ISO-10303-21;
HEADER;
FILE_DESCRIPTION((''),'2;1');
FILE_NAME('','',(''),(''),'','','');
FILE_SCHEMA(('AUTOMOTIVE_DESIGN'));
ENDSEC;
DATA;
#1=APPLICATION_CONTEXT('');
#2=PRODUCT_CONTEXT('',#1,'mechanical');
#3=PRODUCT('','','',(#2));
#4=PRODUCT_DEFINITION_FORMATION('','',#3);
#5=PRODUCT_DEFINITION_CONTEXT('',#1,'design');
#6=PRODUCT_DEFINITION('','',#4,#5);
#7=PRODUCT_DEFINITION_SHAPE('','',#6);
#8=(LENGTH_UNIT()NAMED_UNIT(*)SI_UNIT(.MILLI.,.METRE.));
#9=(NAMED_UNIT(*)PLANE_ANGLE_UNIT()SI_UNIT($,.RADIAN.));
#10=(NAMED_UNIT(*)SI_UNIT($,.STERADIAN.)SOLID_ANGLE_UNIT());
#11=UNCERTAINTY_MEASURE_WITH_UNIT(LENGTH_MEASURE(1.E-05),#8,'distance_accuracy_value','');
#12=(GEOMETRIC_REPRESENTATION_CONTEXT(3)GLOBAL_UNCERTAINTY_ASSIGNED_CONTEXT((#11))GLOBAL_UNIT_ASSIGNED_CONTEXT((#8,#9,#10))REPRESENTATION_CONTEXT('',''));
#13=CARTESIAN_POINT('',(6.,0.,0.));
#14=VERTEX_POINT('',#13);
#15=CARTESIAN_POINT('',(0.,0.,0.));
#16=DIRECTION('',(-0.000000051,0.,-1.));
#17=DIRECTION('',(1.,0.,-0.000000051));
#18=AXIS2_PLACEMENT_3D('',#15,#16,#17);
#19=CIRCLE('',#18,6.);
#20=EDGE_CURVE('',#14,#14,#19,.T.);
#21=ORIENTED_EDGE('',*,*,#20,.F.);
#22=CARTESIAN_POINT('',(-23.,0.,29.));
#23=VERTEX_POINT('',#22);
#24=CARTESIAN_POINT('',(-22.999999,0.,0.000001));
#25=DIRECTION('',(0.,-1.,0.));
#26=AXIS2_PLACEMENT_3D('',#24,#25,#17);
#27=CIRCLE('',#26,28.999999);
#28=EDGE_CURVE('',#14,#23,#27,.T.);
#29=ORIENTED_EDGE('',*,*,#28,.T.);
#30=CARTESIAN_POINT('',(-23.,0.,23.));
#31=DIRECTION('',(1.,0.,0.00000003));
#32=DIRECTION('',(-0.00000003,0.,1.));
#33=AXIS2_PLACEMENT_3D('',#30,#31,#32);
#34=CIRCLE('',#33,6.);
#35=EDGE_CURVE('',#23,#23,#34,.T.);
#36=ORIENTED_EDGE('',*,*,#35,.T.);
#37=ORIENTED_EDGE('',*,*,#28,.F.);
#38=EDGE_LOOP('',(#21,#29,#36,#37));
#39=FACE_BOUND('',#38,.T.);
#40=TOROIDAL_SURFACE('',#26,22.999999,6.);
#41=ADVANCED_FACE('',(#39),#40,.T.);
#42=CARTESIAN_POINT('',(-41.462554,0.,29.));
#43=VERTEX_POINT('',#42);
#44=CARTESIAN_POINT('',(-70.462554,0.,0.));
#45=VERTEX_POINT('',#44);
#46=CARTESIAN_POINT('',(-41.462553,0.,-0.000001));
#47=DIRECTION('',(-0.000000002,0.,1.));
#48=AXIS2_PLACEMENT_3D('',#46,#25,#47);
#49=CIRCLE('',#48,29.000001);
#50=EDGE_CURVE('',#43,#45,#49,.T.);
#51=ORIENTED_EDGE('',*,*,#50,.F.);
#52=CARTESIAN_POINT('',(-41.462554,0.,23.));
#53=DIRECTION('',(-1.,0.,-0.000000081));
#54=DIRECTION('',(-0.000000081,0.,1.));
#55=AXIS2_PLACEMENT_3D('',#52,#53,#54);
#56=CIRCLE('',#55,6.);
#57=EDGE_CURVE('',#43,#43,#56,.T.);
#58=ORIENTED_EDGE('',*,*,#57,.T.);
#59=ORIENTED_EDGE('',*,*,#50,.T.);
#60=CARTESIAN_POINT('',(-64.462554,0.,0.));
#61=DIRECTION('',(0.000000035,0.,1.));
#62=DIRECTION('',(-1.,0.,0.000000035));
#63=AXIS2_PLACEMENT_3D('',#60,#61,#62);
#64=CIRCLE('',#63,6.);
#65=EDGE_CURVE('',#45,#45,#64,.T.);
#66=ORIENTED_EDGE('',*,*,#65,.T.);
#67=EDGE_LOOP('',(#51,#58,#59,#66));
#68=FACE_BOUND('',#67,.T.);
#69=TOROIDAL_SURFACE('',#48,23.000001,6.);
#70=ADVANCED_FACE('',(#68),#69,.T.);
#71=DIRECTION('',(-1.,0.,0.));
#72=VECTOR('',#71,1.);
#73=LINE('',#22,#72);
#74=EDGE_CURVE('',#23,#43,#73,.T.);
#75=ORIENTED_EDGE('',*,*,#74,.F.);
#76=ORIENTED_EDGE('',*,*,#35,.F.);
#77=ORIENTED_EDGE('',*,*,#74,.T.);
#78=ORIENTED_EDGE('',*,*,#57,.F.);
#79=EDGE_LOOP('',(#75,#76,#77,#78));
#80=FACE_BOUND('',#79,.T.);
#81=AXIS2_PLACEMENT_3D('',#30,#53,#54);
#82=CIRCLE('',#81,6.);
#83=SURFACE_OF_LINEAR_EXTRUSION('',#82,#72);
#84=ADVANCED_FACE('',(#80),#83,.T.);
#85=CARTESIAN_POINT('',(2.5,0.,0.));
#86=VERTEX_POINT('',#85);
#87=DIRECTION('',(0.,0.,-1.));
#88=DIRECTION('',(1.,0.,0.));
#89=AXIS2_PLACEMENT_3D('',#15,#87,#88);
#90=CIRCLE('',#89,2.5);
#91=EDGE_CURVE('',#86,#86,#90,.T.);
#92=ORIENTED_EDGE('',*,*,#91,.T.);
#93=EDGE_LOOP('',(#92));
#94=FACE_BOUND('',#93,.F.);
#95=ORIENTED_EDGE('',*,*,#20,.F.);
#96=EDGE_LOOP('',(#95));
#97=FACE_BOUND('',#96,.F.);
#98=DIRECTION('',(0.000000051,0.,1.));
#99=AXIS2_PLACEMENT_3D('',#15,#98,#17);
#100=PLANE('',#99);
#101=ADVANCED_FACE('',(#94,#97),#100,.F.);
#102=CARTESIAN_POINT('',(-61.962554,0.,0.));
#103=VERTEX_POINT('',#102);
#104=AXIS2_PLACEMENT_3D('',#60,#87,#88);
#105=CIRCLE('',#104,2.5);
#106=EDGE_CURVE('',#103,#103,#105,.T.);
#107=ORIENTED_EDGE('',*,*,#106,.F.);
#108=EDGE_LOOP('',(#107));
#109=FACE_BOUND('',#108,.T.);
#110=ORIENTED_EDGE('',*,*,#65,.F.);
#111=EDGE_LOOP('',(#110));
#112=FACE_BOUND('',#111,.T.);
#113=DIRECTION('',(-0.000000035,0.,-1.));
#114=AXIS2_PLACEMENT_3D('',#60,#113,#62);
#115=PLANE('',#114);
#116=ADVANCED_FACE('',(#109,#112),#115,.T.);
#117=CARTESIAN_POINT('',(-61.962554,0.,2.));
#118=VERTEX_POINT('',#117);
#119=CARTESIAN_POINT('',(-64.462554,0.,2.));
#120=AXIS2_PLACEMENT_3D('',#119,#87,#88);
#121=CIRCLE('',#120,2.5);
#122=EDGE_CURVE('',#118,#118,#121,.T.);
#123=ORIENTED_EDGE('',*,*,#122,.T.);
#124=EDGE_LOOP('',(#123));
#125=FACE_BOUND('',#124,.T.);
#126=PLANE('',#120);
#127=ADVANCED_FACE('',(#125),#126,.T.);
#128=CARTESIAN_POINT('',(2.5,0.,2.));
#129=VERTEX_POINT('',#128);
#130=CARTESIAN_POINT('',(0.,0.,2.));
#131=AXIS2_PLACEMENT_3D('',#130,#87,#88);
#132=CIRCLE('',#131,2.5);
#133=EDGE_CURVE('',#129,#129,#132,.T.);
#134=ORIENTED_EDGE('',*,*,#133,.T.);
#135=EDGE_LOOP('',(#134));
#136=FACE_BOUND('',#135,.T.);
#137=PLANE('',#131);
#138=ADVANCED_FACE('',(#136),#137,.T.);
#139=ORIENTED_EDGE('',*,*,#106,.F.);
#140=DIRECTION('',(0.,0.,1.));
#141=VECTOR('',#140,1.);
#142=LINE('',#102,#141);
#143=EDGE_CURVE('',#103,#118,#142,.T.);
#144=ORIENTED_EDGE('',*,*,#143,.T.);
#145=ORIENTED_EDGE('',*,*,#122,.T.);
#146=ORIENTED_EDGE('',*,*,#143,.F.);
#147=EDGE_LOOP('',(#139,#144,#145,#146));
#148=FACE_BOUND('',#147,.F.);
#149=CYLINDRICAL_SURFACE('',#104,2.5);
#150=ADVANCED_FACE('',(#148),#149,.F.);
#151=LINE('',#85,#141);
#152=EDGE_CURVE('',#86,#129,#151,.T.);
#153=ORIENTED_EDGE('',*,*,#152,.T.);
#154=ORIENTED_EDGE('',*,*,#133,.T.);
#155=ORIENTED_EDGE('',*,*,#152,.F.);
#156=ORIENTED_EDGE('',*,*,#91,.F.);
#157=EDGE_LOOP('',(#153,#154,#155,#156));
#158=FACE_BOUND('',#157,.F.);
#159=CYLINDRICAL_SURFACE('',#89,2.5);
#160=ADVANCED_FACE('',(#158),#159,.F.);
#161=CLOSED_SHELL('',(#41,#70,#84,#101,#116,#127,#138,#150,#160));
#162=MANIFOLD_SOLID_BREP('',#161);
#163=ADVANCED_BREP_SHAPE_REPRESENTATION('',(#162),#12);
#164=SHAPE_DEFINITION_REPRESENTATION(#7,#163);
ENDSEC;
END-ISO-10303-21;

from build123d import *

# Parameters (mm, degrees)
F0_R     = 6
F3_R     = 2.5
F4_DEPTH = 2
F5_DEPTH = 2


with BuildPart() as f2:
    # F2: sweep along a path in F1
    with BuildLine(Plane.XZ) as f2_path:
        ThreePointArc((6, 0), (-2.493903, 20.506097), (-23, 29))
        Line((-23, 29), (-32.231277, 29))
        Line((-32.231277, 29), (-41.462554, 29))
        ThreePointArc((-41.462554, 29), (-61.96865, 20.506097), (-70.462554, 0))
    # F0 (on Top) → F2 (sweep)
    with BuildSketch(Plane.XY):
        Circle(F0_R)
    sweep(path=f2_path.line)

    # F3 (on face) → F4 (cut)
    with BuildSketch(Plane(origin=(0, 0, 0), x_dir=(1, 0, 0), z_dir=(0, 0, -1))):
        with Locations((-64.462554, 0)):
            Circle(F3_R)
    extrude(amount=-F4_DEPTH, mode=Mode.SUBTRACT)

    # F3 (on face) → F5 (cut)
    with BuildSketch(Plane(origin=(0, 0, 0), x_dir=(1, 0, 0), z_dir=(0, 0, -1))):
        Circle(F3_R)
    extrude(amount=-F5_DEPTH, mode=Mode.SUBTRACT)


solid = f2.part
